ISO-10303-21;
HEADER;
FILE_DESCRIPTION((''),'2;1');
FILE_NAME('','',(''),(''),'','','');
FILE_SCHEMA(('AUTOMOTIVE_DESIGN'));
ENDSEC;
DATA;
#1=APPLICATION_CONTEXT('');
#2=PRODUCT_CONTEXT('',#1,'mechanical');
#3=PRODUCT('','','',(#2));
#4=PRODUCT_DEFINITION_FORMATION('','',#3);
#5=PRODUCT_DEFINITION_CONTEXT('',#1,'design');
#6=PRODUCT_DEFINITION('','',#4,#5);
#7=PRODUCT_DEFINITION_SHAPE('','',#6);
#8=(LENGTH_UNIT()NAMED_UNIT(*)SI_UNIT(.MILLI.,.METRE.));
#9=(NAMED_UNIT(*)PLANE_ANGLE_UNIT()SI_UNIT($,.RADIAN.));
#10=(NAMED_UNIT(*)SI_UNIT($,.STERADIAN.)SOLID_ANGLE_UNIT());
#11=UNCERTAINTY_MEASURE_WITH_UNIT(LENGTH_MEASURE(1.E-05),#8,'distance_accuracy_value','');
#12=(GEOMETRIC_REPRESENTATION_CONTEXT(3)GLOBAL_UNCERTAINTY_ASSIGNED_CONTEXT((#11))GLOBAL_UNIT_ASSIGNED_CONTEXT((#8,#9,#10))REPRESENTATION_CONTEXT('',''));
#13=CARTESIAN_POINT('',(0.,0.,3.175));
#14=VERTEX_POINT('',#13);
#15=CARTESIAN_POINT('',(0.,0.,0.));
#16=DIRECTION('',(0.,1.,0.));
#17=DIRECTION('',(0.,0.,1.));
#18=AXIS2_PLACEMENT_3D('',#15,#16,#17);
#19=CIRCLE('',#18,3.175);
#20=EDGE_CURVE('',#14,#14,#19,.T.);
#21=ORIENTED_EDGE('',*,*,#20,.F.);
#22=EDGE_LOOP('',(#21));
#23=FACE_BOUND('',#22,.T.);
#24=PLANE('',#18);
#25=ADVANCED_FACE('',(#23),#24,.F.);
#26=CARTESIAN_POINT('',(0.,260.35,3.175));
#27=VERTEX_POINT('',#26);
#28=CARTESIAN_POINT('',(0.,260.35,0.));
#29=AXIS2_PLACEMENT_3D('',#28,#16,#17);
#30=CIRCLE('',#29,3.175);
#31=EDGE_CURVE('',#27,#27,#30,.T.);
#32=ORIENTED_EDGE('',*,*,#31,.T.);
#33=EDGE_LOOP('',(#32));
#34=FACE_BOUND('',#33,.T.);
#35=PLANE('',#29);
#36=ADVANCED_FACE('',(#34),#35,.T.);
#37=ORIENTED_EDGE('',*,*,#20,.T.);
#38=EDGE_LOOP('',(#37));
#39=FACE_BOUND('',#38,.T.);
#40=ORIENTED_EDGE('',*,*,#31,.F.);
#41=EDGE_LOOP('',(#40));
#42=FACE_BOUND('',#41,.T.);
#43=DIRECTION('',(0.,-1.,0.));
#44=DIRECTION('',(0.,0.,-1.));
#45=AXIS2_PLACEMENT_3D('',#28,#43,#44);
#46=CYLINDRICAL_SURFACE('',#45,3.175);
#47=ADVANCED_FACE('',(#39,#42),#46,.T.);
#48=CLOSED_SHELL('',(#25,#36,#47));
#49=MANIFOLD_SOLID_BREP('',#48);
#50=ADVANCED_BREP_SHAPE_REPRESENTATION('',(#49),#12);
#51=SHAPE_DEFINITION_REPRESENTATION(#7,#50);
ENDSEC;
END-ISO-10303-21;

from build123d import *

# Parameters (mm, degrees)
SKETCH1_R           = 3.175
BOSS_EXTRUDE1_DEPTH = 260.35


with BuildPart() as part:
    # Sketch1 → Boss-Extrude1 (new body)
    with BuildSketch(Plane(origin=(0, 0, 0), x_dir=(1, 0, 0), z_dir=(0, 1, 0))):
        Circle(SKETCH1_R)
    extrude(amount=BOSS_EXTRUDE1_DEPTH)


solid = part.part
